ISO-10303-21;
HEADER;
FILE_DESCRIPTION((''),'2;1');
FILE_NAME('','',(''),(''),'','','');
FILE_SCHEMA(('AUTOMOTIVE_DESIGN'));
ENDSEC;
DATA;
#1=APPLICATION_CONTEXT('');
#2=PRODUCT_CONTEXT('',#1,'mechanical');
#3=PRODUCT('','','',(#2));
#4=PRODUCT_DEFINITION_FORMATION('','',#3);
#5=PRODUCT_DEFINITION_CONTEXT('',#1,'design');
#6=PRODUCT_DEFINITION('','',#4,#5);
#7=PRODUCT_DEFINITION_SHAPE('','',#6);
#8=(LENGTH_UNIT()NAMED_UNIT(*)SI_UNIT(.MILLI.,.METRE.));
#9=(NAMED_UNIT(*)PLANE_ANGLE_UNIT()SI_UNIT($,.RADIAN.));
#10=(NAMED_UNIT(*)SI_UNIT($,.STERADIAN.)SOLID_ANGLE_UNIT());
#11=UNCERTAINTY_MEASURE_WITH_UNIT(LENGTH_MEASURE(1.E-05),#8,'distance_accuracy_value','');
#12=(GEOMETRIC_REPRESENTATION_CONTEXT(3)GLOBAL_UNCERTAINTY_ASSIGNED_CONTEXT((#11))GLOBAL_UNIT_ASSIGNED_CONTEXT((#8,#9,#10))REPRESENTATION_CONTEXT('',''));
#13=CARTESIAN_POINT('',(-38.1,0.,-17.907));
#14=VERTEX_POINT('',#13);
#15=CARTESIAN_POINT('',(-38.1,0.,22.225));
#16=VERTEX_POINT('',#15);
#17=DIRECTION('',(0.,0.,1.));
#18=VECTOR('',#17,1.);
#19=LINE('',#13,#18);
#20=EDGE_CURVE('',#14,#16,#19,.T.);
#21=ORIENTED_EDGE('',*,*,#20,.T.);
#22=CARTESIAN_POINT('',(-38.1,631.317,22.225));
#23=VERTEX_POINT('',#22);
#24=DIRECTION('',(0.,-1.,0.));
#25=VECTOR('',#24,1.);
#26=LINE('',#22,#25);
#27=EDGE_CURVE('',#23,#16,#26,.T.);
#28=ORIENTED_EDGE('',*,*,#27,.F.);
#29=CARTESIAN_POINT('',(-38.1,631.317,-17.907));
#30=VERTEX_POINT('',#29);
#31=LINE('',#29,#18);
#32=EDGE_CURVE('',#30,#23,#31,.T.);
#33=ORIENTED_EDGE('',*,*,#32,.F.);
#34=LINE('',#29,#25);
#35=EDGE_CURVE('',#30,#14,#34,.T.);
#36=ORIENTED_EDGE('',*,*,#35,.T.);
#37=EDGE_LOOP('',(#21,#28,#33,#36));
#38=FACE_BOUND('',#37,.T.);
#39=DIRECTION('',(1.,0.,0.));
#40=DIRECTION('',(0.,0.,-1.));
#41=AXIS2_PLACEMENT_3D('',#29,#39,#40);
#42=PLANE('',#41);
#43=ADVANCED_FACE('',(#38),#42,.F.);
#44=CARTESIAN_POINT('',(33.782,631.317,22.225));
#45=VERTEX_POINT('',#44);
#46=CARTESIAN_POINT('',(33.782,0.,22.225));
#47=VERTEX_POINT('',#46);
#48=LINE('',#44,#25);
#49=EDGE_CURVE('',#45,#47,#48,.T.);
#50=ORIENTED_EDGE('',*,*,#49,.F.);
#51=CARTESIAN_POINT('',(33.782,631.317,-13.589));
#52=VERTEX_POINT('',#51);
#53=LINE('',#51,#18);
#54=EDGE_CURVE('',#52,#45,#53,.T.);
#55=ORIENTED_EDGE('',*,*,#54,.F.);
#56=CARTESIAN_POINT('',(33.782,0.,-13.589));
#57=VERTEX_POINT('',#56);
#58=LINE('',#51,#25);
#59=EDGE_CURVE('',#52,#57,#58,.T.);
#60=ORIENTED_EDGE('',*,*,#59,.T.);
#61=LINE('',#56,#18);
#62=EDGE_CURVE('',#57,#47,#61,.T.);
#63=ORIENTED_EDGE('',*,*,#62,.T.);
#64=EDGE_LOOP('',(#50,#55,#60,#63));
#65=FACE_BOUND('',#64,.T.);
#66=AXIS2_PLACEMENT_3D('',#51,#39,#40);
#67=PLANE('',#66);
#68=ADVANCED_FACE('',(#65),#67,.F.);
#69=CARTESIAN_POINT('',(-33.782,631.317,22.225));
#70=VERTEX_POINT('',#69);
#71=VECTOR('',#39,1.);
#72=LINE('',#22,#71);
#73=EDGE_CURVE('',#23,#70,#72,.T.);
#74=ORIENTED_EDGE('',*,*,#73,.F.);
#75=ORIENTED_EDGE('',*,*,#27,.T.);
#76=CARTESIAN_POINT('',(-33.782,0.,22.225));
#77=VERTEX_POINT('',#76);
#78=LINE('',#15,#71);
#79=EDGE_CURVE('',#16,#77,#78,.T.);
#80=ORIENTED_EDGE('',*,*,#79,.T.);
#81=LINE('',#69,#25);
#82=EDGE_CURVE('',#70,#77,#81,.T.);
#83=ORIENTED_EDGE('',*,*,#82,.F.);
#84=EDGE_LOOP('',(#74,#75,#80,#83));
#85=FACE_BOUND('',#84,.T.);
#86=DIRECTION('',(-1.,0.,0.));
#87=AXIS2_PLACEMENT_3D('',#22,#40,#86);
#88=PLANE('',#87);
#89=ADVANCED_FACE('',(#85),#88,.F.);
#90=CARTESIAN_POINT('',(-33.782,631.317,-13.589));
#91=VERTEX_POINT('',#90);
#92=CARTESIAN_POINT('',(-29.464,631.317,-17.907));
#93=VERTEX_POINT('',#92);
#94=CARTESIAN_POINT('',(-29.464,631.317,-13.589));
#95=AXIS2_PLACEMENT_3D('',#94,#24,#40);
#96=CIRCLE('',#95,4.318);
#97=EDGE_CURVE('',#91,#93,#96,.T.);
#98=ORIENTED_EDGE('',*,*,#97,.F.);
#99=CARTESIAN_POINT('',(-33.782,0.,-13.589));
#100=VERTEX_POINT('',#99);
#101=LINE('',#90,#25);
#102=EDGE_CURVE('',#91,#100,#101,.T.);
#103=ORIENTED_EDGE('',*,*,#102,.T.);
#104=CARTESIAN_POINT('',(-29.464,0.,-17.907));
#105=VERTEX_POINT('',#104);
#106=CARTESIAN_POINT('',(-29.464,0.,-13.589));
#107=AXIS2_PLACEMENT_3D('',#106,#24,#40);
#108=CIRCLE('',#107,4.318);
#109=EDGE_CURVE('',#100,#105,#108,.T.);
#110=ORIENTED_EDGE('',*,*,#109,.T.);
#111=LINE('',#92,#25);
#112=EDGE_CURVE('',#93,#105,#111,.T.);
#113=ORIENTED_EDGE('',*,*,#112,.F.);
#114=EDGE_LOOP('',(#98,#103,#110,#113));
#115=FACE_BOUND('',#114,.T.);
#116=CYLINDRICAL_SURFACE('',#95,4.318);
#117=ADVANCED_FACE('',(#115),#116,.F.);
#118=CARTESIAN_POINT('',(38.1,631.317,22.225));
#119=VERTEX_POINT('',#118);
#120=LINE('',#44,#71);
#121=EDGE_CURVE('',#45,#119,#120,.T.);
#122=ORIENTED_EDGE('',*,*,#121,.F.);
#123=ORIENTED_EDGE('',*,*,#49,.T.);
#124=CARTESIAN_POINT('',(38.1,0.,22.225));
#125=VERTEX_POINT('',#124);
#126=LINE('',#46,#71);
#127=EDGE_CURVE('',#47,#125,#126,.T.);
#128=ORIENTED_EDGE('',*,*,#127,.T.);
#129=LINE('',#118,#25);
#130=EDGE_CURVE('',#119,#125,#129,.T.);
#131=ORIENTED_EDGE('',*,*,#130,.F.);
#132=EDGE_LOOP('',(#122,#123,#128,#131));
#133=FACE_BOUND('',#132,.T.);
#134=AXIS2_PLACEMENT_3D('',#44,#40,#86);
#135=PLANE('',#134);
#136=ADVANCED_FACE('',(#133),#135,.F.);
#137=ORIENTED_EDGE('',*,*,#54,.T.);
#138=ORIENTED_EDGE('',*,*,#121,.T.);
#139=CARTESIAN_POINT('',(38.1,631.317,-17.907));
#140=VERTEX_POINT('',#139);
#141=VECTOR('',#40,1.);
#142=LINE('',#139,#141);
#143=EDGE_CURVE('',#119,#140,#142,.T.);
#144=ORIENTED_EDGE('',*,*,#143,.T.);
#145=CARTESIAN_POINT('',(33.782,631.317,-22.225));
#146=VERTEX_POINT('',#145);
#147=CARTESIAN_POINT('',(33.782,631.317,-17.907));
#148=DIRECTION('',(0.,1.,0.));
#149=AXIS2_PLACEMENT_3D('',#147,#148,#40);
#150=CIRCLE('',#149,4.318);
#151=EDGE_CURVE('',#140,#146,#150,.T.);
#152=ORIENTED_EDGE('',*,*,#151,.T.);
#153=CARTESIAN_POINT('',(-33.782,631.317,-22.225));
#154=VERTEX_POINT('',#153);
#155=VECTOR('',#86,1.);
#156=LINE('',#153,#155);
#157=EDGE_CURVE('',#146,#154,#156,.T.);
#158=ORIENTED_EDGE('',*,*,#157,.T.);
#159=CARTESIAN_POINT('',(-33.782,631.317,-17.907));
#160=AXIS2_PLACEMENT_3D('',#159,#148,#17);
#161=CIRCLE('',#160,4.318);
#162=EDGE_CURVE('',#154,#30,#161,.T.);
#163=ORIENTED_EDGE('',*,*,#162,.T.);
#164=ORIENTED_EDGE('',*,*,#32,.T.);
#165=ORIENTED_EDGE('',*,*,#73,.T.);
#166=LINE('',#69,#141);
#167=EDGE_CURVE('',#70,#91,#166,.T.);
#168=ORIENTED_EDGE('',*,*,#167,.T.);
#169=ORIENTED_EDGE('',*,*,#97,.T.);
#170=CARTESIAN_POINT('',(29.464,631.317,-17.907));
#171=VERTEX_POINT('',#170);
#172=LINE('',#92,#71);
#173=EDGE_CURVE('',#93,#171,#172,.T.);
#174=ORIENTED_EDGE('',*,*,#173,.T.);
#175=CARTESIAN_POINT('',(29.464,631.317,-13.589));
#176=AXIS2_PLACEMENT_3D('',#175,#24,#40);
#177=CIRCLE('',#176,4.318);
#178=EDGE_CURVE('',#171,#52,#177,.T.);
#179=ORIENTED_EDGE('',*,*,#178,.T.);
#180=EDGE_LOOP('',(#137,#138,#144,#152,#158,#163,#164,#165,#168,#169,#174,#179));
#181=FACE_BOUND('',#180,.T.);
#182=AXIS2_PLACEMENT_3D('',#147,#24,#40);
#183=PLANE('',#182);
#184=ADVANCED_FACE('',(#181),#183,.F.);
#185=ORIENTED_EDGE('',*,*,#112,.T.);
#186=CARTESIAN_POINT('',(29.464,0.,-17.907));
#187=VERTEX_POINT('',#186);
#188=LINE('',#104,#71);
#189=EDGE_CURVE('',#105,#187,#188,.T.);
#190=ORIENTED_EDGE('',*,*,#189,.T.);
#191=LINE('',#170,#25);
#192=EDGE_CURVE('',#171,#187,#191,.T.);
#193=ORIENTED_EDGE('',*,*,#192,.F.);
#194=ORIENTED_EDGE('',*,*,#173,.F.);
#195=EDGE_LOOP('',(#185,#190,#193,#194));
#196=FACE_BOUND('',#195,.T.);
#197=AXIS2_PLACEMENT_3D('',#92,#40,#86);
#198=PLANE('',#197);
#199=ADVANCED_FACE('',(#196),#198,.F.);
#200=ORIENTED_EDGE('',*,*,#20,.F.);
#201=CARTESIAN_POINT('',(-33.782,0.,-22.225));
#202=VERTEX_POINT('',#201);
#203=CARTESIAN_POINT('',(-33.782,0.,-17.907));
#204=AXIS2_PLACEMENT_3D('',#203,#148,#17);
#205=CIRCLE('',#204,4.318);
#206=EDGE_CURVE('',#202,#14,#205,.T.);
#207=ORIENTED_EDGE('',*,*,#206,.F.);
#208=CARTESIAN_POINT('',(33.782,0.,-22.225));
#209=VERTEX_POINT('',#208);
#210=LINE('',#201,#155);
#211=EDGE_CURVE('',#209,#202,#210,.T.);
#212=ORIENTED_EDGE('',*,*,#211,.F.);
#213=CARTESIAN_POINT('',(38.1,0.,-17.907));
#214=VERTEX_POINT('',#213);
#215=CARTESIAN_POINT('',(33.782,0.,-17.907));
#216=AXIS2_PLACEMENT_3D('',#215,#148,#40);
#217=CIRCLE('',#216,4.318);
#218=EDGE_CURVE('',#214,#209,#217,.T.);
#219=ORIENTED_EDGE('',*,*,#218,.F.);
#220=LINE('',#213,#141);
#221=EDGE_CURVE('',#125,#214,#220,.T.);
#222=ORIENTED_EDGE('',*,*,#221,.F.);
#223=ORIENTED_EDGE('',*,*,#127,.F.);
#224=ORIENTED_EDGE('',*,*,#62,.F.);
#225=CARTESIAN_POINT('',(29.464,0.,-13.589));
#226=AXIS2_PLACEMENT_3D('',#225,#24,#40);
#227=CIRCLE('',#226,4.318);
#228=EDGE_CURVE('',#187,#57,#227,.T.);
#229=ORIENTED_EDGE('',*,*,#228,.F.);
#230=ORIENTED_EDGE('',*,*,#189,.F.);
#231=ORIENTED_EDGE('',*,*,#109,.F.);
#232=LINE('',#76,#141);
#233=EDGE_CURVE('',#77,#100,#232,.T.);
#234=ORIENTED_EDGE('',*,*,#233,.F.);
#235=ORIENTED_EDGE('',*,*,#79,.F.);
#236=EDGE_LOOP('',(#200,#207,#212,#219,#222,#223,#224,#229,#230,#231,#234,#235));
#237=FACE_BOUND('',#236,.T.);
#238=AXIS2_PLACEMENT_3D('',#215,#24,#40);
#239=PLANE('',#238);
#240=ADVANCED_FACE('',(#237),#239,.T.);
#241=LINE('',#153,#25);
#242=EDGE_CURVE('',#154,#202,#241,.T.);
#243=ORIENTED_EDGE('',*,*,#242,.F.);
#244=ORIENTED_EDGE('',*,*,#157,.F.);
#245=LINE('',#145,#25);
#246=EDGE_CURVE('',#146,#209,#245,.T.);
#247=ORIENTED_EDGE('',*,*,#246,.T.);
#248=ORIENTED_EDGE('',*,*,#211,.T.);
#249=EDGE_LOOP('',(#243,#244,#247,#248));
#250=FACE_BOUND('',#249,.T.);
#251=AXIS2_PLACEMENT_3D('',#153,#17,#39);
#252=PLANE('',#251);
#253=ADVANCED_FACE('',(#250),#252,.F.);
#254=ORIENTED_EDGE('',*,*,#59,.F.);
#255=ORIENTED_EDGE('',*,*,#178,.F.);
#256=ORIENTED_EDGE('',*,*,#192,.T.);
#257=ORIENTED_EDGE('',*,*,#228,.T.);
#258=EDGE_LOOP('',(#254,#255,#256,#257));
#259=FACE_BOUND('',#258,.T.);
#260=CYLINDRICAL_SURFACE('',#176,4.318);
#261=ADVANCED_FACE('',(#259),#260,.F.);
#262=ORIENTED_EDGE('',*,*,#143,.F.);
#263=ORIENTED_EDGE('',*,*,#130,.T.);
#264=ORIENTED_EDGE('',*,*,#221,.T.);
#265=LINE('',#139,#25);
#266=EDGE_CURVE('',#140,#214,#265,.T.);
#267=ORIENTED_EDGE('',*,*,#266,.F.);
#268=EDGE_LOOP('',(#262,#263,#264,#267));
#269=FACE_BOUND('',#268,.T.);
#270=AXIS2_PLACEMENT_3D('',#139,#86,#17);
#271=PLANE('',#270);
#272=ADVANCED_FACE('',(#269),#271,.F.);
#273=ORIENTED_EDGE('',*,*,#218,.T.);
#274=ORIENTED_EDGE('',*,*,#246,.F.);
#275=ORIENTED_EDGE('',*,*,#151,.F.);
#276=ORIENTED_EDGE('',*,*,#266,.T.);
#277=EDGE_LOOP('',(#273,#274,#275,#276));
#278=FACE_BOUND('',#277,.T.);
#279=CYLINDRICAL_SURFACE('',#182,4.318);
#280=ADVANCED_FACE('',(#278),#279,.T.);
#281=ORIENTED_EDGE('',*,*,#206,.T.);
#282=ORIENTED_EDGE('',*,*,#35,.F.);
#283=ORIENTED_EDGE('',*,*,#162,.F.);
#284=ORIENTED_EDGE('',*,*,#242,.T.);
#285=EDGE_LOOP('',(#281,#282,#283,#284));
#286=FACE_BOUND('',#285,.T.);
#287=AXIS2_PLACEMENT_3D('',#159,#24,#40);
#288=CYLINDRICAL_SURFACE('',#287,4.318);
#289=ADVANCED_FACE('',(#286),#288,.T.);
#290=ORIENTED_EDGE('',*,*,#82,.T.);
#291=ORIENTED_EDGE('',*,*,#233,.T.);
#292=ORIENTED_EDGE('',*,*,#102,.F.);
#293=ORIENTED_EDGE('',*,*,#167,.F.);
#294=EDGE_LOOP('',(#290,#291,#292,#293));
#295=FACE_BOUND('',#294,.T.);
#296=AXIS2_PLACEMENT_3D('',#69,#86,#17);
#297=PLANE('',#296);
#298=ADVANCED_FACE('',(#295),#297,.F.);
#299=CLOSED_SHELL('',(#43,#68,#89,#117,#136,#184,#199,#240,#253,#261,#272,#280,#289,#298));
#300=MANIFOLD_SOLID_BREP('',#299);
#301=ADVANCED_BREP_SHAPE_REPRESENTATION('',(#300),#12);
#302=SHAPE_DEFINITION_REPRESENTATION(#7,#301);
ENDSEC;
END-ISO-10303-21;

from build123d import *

# Parameters (mm, degrees)
BOSS_EXTRUDE1_DEPTH = 631.317


with BuildPart() as part:
    # Sketch1 → Boss-Extrude1 (new body)
    with BuildSketch(Plane(origin=(0, 0, 0), x_dir=(1, 0, 0), z_dir=(0, 1, 0))):
        with BuildLine():
            Line((-38.1, -22.225), (-33.782, -22.225))
            Line((-33.782, -22.225), (-33.782, 13.589))
            ThreePointArc((-33.782, 13.589), (-32.517287081, 16.642287081), (-29.464, 17.907))
            Line((-29.464, 17.907), (29.464, 17.907))
            ThreePointArc((29.464, 17.907), (32.517287081, 16.642287081), (33.782, 13.589))
            Line((33.782, 13.589), (33.782, -22.225))
            Line((33.782, -22.225), (38.1, -22.225))
            Line((38.1, -22.225), (38.1, 17.907))
            ThreePointArc((38.1, 17.907), (36.835287081, 20.960287081), (33.782, 22.225))
            Line((33.782, 22.225), (-33.782, 22.225))
            ThreePointArc((-33.782, 22.225), (-36.835287081, 20.960287081), (-38.1, 17.907))
            Line((-38.1, 17.907), (-38.1, -22.225))
        make_face()
    extrude(amount=BOSS_EXTRUDE1_DEPTH)


solid = part.part
